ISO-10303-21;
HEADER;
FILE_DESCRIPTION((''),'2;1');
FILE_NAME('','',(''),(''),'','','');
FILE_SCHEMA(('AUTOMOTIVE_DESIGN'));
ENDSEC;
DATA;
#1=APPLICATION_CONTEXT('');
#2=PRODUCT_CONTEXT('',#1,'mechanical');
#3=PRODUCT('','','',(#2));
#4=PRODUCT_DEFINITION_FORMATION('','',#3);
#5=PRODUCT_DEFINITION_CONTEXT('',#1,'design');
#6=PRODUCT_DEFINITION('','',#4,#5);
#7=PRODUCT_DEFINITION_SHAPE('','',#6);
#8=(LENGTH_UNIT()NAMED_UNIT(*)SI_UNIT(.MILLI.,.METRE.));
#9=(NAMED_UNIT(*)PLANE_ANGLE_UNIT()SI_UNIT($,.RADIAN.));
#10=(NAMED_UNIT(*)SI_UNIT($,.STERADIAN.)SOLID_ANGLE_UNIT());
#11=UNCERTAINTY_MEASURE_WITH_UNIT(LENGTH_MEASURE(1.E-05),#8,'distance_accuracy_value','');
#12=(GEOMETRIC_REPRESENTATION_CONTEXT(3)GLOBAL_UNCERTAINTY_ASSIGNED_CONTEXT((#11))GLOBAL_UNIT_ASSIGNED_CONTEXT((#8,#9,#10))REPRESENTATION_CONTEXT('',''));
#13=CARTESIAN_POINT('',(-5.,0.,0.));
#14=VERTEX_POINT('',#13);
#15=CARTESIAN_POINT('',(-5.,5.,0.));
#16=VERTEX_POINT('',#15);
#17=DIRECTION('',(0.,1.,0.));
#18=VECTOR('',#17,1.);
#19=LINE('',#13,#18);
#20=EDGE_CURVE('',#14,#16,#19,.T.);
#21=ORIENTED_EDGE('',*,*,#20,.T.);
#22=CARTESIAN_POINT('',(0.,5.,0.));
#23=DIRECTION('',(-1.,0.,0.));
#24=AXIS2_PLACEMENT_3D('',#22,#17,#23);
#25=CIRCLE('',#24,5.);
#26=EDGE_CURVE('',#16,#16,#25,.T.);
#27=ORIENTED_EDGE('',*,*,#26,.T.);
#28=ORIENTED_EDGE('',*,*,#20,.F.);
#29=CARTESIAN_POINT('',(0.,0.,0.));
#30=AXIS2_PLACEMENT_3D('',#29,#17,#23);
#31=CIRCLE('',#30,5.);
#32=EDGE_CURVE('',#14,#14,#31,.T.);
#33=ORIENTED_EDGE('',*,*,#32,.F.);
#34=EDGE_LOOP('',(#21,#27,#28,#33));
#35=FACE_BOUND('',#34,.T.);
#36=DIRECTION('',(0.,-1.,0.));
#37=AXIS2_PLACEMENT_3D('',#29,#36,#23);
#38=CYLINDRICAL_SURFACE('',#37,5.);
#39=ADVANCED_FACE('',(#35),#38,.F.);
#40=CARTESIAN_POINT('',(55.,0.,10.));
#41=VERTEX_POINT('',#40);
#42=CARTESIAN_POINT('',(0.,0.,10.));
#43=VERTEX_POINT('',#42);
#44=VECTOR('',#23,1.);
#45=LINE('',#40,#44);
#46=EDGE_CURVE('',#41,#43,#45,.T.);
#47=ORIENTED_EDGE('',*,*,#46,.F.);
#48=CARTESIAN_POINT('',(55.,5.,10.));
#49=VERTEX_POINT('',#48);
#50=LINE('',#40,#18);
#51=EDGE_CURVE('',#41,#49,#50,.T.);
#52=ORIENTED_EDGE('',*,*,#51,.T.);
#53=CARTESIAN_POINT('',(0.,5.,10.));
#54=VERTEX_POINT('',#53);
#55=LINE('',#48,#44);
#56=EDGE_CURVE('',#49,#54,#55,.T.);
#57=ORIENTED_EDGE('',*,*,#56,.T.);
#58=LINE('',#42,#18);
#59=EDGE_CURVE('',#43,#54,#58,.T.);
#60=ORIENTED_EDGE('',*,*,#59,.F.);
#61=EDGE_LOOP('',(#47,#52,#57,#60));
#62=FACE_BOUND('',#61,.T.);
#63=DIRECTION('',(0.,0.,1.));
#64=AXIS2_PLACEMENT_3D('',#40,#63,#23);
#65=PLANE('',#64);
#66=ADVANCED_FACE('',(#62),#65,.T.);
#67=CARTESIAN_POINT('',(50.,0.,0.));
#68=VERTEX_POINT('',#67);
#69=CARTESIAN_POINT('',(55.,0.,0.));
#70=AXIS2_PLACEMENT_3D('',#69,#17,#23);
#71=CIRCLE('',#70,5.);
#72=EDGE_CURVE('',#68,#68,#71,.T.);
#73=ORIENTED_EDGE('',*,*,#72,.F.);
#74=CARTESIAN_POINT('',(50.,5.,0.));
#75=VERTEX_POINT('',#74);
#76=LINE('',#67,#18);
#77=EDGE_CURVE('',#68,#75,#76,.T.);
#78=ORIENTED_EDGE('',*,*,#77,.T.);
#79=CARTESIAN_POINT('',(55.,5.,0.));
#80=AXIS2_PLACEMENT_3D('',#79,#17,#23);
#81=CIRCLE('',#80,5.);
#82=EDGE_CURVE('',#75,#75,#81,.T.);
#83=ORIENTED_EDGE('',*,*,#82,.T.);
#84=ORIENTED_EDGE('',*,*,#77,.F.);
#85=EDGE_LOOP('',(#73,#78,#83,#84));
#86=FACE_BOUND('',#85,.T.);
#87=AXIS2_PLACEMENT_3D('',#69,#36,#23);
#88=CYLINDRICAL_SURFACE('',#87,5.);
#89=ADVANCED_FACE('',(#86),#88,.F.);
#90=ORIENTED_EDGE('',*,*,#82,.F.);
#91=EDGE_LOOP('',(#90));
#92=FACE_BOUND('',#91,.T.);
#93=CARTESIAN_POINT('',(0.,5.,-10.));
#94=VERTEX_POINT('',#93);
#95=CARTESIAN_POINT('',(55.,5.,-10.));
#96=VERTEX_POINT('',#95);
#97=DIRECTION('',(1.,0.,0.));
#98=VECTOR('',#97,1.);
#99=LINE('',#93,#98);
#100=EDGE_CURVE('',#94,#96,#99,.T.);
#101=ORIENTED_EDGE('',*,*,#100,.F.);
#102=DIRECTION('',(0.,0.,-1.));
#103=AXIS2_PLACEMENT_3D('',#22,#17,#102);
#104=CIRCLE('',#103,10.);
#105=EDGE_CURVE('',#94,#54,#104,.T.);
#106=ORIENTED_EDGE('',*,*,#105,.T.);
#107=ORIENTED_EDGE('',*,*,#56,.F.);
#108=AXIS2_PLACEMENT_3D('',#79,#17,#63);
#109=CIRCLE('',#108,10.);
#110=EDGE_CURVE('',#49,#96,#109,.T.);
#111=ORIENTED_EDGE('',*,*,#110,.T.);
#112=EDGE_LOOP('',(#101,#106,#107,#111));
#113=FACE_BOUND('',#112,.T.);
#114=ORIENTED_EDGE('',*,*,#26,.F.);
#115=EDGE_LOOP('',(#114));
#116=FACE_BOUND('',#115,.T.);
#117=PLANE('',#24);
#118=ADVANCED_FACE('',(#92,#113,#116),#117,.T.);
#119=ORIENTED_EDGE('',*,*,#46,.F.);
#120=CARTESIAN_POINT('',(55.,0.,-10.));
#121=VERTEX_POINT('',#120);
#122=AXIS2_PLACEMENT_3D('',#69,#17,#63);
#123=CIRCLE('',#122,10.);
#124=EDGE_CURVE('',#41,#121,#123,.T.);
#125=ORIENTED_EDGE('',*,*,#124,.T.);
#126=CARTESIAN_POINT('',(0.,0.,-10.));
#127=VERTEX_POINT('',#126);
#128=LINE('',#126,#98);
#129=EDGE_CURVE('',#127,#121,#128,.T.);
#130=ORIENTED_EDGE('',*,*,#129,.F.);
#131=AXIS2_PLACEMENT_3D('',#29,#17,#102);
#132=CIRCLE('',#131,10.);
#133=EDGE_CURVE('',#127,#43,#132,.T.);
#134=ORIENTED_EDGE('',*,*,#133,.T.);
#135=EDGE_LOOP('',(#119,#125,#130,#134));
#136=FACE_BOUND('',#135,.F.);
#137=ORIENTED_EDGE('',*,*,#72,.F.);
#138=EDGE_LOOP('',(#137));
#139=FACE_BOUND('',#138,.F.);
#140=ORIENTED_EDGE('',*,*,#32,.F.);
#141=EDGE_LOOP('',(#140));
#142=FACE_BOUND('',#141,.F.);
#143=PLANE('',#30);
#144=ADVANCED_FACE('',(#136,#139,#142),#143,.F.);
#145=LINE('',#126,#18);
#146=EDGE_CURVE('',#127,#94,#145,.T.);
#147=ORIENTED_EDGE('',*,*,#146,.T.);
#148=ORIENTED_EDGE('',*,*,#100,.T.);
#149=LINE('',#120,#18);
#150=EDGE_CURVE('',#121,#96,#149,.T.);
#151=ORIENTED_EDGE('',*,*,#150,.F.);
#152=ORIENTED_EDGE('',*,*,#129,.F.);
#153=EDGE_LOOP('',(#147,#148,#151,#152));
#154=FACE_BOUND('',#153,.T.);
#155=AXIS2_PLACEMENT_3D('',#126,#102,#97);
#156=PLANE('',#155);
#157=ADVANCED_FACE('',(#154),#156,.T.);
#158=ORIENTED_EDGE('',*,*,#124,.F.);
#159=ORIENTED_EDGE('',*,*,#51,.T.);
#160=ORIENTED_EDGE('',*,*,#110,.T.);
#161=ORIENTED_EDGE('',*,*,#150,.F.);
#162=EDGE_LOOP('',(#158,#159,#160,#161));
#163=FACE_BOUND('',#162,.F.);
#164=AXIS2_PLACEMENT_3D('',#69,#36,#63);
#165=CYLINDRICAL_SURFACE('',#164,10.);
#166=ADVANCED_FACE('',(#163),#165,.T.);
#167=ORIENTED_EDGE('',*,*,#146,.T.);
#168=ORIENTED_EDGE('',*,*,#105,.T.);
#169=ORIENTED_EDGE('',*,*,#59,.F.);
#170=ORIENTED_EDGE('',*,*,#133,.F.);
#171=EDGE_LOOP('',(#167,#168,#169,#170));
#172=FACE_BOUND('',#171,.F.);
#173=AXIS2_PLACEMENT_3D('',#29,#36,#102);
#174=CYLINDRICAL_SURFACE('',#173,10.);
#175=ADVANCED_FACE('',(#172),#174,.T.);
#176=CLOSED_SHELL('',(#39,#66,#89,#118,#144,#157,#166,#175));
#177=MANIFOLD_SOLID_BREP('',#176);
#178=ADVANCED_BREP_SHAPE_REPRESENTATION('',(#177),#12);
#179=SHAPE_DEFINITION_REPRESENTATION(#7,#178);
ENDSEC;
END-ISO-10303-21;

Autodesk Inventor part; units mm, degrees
ref_plane "YZ Plane" through (0, 0, 0) normal (1, 0, 0) x (0, 1, 0)
ref_plane "XZ Plane" through (0, 0, 0) normal (0, 1, 0) x (-1, 0, 0)
ref_plane "XY Plane" through (0, 0, 0) normal (0, 0, 1) x (1, 0, 0)
sketch "草圖3" plane through (0, 0, 0) normal (0, 1, 0) x (-1, 0, 0)
  line L0 (-65, 0) -> (10, 0) construction
  line L1 (-55, 10) -> (0, 10)
  line L2 (0, -10) -> (-55, -10)
  arc A0 (-55, 10) -> (-55, -10) centre (-55, 0) ccw
  arc A1 (0, -10) -> (0, 10) centre (0, 0) ccw
  circle A2 centre (-55, 0) radius 5
  circle A3 centre (0, 0) radius 5
  point P0 (-27.5, 0)
  dimension "hole" = 10
  dimension "d14" = 20
  dimension "center_distance" = 55
extrude "擠出3" add sketch "草圖3" along normal blind 5
equation "\"d14\" = 2 * hole"
properties part number "Binary link"
